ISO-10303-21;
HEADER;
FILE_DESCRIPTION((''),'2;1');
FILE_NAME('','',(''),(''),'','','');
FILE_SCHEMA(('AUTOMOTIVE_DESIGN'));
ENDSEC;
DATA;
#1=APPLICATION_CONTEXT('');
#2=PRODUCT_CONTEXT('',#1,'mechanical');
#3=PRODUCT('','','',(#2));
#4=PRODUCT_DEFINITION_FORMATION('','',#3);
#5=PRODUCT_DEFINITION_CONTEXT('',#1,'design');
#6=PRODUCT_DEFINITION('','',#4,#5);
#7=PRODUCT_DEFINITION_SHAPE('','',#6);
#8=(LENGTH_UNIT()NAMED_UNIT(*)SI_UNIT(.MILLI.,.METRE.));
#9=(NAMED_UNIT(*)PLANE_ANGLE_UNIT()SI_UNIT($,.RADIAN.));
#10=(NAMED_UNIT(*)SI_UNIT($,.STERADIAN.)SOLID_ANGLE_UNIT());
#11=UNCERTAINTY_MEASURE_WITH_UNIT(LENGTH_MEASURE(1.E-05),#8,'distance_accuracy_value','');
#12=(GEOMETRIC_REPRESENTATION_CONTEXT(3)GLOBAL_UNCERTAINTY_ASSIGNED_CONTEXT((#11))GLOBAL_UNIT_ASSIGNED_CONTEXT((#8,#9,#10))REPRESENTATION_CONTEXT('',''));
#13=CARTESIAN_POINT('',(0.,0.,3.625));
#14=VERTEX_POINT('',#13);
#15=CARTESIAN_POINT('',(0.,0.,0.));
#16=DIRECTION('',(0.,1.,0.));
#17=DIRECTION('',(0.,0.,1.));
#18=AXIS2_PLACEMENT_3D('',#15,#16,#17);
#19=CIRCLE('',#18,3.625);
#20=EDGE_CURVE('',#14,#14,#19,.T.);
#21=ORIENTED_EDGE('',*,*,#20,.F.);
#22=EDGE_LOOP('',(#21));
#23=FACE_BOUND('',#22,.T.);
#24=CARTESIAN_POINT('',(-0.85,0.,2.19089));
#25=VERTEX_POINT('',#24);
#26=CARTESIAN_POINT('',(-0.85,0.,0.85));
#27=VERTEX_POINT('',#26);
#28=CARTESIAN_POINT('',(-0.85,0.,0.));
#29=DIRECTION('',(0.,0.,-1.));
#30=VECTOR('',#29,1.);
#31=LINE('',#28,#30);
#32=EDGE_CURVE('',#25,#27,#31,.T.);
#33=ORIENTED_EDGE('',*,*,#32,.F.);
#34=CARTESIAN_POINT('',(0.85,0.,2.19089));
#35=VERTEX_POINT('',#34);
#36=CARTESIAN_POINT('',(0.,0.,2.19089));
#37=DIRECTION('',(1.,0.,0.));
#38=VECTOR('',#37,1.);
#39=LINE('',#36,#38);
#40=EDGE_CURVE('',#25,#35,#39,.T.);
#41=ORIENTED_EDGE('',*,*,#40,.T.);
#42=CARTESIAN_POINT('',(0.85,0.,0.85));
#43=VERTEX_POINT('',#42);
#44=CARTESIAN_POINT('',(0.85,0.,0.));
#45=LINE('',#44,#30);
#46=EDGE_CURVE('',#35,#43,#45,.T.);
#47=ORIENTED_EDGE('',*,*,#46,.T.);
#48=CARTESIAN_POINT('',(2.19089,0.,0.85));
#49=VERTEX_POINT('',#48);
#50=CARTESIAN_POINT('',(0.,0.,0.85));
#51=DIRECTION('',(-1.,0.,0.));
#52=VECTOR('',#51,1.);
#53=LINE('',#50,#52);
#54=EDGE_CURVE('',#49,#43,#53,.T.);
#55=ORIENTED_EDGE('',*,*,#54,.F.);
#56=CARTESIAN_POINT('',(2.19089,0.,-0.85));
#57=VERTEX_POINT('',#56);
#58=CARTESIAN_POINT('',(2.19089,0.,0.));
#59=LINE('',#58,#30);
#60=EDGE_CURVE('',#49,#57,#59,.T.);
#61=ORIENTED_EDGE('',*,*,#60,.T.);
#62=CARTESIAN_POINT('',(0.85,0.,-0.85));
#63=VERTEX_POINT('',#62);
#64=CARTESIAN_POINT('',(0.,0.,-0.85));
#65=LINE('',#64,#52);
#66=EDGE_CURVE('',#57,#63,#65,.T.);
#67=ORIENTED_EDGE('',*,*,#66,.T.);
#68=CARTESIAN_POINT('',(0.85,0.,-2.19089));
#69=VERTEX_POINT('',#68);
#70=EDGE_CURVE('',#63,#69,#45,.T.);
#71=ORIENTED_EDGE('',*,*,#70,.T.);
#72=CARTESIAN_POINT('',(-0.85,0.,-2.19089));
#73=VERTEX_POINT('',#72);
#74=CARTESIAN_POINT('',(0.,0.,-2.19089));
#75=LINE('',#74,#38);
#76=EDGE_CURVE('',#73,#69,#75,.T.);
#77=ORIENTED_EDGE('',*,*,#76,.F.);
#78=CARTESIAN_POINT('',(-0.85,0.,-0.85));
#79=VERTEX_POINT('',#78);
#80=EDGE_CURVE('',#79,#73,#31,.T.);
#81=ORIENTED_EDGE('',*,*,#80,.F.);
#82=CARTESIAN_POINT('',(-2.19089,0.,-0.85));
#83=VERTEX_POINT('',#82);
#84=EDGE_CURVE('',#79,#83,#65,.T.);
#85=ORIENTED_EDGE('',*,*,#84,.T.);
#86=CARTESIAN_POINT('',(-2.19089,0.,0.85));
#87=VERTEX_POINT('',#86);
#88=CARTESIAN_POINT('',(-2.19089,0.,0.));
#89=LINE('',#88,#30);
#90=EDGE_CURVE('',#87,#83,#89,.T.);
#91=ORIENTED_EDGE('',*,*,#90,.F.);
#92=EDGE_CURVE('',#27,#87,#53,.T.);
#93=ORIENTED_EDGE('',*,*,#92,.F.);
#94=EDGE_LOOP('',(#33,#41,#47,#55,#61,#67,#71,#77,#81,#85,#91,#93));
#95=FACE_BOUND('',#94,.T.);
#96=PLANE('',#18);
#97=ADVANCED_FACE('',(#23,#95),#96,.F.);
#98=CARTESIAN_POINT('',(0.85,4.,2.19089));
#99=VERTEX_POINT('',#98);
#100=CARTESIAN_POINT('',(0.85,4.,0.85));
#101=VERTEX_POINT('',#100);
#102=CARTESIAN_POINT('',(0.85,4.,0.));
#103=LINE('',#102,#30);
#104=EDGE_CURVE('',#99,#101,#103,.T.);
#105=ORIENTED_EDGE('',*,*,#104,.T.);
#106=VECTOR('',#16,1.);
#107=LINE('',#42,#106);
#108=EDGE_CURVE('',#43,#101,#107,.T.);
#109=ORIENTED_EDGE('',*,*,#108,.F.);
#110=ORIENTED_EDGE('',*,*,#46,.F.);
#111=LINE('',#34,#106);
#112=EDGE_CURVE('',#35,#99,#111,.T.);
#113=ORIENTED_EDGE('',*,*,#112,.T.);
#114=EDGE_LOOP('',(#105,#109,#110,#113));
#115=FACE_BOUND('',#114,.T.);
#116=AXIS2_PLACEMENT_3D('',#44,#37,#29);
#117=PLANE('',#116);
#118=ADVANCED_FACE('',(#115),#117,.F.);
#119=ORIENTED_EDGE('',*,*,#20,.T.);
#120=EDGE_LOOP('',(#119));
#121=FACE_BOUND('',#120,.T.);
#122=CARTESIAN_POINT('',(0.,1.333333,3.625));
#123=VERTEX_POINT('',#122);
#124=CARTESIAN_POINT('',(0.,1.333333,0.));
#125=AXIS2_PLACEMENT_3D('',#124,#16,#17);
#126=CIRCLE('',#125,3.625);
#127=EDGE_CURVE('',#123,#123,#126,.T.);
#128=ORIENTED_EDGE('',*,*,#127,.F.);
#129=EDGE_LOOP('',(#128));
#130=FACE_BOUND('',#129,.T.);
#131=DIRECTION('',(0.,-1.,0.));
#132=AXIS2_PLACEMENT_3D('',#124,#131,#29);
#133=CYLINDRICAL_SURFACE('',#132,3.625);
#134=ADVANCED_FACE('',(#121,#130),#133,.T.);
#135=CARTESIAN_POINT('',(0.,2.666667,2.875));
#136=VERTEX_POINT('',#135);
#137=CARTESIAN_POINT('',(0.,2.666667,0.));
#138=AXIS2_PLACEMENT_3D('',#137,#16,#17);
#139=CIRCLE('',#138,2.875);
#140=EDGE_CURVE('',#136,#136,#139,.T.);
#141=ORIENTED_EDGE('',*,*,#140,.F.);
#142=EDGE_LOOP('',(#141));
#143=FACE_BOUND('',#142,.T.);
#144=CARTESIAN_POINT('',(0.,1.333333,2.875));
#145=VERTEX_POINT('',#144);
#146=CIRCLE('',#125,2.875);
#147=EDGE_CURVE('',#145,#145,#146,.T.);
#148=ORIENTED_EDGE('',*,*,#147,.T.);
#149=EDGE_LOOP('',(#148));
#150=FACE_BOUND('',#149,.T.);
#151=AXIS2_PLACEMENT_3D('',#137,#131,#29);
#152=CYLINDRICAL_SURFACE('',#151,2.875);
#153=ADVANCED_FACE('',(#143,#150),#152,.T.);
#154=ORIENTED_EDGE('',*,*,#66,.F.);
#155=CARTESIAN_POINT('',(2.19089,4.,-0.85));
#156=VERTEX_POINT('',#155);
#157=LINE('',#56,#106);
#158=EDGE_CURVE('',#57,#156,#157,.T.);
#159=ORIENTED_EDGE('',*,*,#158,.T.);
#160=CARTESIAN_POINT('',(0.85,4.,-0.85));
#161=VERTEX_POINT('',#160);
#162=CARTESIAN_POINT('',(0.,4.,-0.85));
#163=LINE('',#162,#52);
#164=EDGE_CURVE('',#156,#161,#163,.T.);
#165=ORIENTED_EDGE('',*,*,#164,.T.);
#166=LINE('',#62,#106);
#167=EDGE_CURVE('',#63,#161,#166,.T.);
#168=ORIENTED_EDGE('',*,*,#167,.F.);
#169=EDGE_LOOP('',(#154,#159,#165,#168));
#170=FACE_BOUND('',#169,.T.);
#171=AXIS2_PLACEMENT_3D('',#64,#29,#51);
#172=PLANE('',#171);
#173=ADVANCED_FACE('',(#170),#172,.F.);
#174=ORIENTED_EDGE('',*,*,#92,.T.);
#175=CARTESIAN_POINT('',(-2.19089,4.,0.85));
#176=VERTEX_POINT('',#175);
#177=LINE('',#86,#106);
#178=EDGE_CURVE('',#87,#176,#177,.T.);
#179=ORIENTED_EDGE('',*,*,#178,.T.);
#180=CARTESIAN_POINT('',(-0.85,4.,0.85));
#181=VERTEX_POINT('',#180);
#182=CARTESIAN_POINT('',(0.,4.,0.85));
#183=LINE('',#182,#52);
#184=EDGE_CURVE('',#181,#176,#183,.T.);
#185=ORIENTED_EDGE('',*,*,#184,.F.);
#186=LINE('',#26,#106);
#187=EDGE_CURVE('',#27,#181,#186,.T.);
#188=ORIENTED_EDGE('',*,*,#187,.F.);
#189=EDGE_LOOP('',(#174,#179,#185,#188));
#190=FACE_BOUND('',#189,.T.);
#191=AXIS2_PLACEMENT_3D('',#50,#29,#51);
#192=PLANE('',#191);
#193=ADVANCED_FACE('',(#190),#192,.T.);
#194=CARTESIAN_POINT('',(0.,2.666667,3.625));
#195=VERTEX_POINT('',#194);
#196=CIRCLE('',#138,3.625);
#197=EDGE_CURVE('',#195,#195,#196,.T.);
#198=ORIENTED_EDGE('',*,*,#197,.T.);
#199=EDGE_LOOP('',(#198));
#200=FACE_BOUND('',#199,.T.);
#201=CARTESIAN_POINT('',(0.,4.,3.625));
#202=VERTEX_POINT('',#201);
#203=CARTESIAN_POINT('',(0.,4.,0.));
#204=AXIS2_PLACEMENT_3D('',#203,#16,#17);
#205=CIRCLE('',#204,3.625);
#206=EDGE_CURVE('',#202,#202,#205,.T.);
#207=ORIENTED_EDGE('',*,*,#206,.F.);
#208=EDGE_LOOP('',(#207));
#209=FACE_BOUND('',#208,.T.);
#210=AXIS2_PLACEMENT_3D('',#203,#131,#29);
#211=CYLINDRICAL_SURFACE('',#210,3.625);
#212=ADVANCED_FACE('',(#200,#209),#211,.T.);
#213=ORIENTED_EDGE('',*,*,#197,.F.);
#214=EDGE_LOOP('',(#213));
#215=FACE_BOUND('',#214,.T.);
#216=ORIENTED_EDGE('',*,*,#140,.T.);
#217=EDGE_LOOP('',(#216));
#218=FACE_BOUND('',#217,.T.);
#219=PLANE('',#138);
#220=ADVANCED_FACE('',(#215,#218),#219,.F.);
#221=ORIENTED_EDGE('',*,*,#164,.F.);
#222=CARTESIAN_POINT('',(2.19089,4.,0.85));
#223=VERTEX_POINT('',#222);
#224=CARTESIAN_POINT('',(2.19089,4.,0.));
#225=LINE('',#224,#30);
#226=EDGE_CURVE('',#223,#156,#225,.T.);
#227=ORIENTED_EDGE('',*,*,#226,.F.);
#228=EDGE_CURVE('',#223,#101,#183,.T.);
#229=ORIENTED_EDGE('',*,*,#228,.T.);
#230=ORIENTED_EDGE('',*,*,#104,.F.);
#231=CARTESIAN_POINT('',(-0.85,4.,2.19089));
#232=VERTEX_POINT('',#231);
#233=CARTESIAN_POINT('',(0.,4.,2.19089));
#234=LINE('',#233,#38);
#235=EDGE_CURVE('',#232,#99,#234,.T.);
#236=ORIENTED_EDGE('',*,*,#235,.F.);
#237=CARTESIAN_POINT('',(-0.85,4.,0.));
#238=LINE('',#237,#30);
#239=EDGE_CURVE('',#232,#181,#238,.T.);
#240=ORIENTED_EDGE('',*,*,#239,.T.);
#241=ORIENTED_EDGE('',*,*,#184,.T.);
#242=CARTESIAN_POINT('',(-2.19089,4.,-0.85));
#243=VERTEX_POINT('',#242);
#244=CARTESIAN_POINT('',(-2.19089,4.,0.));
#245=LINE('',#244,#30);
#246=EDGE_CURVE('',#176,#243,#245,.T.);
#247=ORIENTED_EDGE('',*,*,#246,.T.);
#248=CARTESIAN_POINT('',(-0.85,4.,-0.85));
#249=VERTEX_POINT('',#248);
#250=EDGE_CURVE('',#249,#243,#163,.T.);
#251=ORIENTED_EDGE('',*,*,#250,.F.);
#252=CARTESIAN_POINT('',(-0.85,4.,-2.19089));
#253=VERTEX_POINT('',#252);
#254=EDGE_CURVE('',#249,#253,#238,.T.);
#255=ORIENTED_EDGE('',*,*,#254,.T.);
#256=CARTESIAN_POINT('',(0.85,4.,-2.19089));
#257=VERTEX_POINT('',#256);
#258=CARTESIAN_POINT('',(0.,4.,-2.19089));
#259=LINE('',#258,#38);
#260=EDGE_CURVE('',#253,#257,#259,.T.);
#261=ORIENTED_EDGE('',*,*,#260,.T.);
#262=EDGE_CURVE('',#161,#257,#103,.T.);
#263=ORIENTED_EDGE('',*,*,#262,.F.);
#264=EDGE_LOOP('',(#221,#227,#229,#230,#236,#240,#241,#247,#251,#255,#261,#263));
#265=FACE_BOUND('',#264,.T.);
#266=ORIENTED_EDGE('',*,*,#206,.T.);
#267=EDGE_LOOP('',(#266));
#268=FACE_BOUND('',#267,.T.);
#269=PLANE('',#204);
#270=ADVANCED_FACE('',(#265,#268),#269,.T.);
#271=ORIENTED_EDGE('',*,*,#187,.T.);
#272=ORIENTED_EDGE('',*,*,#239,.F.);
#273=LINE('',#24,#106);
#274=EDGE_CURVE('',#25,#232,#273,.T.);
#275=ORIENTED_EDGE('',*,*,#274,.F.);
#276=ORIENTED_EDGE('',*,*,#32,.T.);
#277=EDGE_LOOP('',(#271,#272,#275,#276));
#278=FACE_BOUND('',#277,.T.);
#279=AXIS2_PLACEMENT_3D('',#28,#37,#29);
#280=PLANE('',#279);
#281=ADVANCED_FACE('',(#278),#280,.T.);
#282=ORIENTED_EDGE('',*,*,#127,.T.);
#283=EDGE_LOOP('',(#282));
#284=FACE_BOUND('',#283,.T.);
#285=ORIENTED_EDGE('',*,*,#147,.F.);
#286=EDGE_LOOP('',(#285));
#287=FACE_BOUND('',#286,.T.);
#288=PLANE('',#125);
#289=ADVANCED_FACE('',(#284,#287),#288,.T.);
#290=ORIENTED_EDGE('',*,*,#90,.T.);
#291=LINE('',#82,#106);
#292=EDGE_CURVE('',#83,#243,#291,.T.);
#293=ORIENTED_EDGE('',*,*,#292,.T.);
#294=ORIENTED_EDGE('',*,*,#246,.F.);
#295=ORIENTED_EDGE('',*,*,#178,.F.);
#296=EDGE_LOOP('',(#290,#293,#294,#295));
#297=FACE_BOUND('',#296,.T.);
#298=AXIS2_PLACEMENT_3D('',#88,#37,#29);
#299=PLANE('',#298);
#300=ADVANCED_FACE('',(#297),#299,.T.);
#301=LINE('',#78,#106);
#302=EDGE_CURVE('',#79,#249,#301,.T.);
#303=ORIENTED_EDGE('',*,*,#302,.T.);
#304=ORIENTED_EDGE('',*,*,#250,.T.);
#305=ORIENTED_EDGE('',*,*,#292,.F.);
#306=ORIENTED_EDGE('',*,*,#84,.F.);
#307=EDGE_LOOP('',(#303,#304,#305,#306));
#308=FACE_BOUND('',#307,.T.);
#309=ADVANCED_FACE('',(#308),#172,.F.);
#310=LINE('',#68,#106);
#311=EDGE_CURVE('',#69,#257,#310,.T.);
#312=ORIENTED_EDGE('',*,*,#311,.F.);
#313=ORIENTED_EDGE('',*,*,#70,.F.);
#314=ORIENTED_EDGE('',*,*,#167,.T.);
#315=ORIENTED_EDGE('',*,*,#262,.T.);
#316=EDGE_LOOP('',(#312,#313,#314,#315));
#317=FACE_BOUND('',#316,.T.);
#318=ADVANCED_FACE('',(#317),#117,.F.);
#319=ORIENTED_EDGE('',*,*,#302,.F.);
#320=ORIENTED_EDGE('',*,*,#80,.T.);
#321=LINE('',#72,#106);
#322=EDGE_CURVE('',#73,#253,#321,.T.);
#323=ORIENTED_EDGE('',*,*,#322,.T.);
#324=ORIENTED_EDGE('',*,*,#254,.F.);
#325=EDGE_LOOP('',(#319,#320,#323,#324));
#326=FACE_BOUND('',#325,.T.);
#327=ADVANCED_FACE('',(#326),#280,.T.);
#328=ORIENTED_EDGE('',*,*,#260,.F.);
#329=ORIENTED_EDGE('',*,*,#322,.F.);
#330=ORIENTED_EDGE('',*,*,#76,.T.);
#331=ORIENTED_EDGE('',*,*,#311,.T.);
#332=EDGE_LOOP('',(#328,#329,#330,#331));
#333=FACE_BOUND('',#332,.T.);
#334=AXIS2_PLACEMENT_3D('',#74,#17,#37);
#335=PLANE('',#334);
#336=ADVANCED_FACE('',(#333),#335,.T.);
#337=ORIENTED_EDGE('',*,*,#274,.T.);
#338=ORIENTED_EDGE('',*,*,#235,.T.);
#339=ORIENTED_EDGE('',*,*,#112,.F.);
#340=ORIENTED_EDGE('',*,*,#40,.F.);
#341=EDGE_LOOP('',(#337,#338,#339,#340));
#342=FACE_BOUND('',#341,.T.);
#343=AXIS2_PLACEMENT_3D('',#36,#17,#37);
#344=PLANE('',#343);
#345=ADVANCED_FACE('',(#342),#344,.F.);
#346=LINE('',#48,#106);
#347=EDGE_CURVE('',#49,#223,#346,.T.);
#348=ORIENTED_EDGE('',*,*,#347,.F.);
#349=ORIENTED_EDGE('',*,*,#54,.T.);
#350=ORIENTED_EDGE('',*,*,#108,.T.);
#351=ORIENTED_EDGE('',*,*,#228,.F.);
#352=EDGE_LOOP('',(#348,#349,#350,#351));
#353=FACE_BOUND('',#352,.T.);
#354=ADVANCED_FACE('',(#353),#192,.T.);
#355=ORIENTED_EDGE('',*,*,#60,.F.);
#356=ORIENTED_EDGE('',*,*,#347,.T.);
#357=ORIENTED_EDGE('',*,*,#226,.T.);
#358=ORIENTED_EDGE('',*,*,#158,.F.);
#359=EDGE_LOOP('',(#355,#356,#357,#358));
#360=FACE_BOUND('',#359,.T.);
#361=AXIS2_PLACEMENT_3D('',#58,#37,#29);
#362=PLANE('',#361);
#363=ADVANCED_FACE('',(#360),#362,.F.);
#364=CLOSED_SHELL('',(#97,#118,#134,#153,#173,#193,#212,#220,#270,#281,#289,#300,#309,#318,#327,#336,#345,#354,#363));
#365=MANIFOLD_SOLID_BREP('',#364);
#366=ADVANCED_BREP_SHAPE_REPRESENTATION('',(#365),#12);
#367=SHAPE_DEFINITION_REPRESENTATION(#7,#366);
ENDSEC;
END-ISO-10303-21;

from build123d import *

# Parameters (mm, degrees)
SKETCH2_R           = 3.625
BOSS_EXTRUDE1_DEPTH = 1.33333333
SKETCH6_R           = 2.875
BOSS_EXTRUDE2_DEPTH = 1.33333333
SKETCH7_R           = 3.625
BOSS_EXTRUDE3_DEPTH = 1.33333333
CUT_EXTRUDE1_DEPTH  = 4.99999999


with BuildPart() as part:
    # Sketch2 → Boss-Extrude1 (new body)
    with BuildSketch(Plane(origin=(0, 0, 0), x_dir=(1, 0, 0), z_dir=(0, 1, 0))):
        Circle(SKETCH2_R)
    extrude(amount=BOSS_EXTRUDE1_DEPTH)

    # Sketch6 → Boss-Extrude2 (add)
    with BuildSketch(Plane(origin=(0, 1.33333333, 0), x_dir=(1, 0, 0), z_dir=(0, 1, 0))):
        Circle(SKETCH6_R)
    extrude(amount=BOSS_EXTRUDE2_DEPTH)

    # Sketch7 → Boss-Extrude3 (add)
    with BuildSketch(Plane(origin=(0, 2.66666666, 0), x_dir=(1, 0, 0), z_dir=(0, 1, 0))):
        Circle(SKETCH7_R)
    extrude(amount=BOSS_EXTRUDE3_DEPTH)

    # Sketch8 → Cut-Extrude1 (cut, through all)
    with BuildSketch(Plane(origin=(0, 3.99999999, 0), x_dir=(1, 0, 0), z_dir=(0, 1, 0))):
        Polygon((-0.85, 0.85), (-0.85, 2.19089023), (0.85, 2.19089023), (0.85, 0.85), (2.19089023, 0.85), (2.19089023, -0.85), (0.85, -0.85), (0.85, -2.19089023), (-0.85, -2.19089023), (-0.85, -0.85), (-2.19089023, -0.85), (-2.19089023, 0.85), align=None)
    extrude(amount=-CUT_EXTRUDE1_DEPTH, mode=Mode.SUBTRACT)


solid = part.part
